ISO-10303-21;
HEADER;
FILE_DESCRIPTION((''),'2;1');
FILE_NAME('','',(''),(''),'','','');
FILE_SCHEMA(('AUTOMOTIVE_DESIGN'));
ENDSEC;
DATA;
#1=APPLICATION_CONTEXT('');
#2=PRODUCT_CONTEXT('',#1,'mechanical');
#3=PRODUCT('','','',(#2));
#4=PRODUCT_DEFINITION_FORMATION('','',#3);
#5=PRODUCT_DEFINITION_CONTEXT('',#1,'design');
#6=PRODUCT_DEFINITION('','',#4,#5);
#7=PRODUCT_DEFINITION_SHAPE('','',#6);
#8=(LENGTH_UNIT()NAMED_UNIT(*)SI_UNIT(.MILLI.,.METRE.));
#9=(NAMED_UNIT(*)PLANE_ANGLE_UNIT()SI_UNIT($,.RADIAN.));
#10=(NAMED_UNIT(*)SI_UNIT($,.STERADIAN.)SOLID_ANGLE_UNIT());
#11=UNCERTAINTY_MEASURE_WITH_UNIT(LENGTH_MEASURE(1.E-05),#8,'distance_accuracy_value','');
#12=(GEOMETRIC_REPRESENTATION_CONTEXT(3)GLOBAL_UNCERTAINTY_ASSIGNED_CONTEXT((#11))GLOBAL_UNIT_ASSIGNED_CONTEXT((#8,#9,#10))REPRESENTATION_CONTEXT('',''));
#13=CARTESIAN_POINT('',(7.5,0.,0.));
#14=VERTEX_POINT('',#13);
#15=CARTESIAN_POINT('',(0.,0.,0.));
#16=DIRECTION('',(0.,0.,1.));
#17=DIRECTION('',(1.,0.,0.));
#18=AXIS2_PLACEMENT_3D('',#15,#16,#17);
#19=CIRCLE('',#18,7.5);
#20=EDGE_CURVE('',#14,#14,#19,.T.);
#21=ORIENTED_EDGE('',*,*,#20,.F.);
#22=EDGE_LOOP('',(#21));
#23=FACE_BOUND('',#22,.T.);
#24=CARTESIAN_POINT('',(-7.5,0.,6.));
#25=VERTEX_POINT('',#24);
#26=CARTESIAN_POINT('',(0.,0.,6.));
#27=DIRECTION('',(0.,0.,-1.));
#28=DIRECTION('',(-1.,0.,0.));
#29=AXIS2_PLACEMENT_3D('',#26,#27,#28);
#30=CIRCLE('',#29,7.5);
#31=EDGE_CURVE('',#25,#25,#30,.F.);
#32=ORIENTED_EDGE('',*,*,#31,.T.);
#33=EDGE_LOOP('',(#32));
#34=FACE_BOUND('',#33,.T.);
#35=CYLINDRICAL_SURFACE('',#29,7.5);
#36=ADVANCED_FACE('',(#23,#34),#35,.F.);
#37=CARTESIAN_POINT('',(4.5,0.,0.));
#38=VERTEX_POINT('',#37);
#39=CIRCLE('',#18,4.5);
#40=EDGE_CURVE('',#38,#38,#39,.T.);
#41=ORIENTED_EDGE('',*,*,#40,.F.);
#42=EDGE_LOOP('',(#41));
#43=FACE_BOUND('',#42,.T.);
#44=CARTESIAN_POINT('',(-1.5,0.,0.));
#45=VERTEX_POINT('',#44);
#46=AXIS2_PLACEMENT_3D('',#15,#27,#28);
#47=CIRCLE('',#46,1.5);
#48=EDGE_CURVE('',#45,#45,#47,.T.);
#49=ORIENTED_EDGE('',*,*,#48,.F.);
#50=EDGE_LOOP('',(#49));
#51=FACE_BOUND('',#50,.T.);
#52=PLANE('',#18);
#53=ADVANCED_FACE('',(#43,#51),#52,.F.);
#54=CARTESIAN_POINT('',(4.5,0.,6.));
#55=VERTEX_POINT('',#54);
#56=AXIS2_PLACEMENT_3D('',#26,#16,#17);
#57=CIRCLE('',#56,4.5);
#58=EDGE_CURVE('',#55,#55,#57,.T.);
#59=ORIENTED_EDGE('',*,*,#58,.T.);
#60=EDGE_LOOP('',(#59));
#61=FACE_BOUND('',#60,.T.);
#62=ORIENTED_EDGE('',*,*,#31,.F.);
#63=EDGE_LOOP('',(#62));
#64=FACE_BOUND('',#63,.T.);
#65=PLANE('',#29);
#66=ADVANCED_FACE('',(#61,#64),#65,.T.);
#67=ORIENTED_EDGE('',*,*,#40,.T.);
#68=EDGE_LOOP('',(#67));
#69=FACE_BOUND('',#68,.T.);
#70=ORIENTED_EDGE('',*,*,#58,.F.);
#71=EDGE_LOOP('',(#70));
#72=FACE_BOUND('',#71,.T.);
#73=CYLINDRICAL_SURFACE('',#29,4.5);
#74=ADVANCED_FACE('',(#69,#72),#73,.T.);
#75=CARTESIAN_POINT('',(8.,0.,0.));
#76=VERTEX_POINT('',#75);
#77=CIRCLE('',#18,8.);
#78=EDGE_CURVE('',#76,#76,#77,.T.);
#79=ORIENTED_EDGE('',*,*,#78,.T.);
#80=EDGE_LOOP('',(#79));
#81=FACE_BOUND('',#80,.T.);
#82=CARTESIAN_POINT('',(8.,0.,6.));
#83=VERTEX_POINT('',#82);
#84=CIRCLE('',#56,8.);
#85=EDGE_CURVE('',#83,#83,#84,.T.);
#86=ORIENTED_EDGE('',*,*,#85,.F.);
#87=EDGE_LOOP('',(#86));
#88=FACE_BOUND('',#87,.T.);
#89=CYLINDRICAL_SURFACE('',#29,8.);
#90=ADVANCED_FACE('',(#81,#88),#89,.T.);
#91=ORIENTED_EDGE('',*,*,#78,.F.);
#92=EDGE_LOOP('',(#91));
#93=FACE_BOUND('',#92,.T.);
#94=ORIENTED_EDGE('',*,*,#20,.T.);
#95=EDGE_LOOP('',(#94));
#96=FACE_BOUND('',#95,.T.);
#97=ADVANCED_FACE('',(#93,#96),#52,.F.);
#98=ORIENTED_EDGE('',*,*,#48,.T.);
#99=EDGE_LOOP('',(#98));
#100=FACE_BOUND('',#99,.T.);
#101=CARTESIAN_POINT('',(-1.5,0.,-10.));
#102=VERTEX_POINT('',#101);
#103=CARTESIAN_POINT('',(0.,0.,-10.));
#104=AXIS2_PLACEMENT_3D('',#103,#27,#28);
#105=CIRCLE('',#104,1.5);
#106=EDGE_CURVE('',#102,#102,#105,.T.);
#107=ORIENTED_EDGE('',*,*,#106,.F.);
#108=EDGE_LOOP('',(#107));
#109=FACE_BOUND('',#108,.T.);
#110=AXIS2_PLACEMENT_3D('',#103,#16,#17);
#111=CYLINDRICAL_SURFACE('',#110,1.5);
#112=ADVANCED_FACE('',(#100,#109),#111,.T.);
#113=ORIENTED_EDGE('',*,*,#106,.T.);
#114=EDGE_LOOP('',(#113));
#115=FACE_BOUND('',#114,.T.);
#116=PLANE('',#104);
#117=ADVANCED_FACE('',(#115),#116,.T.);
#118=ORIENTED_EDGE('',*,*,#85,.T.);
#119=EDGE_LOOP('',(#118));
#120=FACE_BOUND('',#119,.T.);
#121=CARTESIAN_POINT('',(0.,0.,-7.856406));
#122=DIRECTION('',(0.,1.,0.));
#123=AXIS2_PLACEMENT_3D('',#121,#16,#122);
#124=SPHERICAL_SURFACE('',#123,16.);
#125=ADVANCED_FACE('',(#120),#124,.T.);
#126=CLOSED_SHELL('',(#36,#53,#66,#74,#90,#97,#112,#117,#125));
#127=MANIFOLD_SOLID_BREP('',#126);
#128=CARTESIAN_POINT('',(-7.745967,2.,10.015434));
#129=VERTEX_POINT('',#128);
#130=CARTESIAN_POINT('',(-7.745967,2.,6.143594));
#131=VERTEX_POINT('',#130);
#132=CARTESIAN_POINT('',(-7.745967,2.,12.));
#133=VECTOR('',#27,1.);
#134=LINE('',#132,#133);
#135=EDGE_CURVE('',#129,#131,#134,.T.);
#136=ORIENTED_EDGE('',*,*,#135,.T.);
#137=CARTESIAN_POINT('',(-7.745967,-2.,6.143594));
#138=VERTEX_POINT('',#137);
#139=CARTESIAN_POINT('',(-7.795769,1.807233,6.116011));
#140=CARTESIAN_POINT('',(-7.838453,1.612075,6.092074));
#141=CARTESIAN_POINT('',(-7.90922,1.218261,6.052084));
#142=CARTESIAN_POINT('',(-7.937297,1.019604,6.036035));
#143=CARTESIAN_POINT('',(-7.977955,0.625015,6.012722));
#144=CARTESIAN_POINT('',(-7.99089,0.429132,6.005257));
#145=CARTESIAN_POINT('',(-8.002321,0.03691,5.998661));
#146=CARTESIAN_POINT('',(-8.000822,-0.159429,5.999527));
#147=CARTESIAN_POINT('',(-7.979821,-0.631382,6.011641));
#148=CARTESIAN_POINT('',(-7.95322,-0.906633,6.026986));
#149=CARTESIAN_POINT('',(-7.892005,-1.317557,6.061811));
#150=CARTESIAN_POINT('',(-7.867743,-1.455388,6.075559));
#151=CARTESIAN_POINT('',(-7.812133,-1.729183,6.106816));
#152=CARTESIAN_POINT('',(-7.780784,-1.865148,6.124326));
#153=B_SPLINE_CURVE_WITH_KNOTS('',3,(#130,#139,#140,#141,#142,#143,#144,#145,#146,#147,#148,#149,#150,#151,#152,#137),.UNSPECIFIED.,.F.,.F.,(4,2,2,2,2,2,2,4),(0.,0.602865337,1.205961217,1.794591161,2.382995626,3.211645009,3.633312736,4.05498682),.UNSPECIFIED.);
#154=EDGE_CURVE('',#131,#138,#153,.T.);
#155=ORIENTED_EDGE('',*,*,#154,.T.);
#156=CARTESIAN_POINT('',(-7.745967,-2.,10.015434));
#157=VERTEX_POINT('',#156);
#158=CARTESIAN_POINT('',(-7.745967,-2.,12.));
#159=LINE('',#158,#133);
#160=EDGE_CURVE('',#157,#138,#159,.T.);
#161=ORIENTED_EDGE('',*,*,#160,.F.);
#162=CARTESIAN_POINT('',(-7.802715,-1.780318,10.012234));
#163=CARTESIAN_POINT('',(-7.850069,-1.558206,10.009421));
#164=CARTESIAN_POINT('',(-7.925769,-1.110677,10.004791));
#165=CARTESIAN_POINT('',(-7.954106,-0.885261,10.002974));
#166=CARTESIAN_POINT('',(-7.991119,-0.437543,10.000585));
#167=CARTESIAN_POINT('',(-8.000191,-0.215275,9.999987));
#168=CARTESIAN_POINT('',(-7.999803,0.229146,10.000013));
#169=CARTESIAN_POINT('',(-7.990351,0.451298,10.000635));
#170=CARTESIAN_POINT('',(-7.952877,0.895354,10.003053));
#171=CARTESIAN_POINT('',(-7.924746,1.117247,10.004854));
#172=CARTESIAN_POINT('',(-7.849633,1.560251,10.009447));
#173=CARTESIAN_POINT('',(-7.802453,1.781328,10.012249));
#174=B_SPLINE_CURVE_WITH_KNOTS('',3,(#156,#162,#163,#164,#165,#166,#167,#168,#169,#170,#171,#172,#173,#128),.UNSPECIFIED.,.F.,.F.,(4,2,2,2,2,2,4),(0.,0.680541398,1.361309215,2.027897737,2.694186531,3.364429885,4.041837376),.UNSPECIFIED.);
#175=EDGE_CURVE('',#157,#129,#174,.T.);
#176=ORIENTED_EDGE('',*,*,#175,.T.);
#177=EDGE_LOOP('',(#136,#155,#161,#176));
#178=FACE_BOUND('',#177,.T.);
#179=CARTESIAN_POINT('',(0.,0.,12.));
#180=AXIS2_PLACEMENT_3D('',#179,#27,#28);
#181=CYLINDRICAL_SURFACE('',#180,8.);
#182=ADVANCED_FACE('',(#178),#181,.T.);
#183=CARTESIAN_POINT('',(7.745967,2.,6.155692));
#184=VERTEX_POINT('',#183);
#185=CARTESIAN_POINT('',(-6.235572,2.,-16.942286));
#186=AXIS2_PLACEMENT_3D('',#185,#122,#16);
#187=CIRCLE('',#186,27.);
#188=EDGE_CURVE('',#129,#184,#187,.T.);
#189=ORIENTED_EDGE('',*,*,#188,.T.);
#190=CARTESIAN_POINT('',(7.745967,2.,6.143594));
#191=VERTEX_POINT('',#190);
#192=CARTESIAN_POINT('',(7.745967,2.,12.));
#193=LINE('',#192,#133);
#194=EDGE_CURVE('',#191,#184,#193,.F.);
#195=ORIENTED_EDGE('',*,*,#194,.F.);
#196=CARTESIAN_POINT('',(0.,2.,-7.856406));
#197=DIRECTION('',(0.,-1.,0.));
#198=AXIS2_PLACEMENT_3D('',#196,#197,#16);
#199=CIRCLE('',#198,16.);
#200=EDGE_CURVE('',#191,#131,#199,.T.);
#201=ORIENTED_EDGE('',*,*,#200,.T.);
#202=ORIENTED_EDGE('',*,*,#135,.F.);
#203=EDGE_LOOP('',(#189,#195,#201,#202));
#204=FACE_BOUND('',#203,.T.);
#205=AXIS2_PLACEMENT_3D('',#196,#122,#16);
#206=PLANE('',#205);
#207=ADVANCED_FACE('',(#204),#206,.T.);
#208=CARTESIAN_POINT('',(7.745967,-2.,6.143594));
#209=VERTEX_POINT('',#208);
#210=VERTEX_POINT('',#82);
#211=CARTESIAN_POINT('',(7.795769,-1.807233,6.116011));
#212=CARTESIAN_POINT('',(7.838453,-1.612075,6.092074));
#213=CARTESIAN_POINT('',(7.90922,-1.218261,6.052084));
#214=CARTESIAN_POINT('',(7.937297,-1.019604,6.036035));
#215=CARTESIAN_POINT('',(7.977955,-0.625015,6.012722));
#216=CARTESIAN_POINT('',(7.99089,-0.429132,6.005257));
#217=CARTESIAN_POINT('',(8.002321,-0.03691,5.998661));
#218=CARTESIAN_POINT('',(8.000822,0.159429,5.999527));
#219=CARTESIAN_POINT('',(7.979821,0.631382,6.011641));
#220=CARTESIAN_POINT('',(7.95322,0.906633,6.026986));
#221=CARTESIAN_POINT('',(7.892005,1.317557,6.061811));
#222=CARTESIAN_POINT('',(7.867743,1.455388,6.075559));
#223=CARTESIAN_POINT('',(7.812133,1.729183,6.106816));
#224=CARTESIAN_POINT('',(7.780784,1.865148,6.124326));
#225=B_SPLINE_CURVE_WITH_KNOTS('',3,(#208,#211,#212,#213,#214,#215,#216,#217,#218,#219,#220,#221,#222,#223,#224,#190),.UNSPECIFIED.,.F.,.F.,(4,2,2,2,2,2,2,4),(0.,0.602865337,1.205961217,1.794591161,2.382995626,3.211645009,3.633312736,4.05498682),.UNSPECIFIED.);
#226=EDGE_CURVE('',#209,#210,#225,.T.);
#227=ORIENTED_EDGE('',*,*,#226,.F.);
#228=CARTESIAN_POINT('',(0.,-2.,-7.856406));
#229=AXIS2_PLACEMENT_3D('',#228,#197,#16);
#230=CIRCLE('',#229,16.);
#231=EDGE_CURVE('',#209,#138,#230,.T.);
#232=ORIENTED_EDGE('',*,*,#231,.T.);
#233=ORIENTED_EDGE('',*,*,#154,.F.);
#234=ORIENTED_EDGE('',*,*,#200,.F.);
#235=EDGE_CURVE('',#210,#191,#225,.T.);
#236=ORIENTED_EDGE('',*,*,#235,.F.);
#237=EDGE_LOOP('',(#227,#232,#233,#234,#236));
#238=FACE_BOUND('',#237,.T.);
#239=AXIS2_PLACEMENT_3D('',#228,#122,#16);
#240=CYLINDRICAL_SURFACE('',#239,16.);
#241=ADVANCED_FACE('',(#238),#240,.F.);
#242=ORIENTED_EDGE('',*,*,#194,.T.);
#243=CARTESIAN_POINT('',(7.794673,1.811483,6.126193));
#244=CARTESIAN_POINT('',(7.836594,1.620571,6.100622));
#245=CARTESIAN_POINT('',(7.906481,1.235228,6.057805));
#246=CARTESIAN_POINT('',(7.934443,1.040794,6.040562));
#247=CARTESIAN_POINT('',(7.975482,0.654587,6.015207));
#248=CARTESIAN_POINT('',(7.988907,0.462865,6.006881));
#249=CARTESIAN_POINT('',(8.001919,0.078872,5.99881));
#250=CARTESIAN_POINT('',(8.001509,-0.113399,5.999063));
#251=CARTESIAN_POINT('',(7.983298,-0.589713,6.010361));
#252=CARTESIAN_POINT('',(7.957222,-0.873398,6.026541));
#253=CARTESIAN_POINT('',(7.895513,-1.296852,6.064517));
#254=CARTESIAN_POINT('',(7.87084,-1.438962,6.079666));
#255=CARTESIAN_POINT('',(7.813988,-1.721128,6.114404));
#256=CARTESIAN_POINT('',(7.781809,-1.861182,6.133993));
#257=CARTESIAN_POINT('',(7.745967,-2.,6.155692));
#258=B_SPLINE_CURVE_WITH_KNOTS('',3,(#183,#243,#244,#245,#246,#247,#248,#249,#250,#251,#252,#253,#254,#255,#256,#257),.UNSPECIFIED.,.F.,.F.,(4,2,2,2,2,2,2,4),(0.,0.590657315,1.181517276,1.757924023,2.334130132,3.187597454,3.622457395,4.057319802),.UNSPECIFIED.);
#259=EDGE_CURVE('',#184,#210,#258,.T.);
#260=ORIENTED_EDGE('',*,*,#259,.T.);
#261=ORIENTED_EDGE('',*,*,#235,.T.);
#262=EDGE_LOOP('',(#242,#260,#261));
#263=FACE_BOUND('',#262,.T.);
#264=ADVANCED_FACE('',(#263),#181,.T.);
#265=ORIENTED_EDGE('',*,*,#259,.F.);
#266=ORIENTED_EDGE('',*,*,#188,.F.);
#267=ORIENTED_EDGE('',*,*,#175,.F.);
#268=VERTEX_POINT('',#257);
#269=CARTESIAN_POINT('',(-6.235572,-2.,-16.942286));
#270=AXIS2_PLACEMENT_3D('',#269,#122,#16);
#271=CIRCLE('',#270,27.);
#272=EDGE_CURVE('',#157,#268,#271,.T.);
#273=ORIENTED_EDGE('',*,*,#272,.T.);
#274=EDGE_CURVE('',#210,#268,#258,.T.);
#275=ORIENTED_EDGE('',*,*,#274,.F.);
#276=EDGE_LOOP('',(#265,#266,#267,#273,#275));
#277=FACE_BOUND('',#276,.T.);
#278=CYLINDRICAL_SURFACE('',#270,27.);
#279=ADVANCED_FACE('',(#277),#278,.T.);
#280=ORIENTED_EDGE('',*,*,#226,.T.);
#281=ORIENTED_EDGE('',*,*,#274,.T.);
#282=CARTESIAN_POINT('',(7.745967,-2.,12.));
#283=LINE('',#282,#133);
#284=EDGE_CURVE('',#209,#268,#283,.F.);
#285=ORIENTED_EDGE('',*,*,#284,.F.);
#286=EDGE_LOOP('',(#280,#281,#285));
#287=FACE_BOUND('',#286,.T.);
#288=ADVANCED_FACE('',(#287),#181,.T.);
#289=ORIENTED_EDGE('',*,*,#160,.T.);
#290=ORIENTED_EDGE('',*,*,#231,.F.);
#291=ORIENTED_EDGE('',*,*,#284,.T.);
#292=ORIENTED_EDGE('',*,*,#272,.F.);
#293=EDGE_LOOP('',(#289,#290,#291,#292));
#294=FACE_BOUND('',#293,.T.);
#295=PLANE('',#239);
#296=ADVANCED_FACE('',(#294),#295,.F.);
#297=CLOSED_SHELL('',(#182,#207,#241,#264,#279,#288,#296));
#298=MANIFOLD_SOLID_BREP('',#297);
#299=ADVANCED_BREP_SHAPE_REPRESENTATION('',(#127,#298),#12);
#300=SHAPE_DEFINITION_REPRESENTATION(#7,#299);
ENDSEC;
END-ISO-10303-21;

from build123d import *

# Parameters (mm, degrees)
SKETCH1_R                = 4.5
BOSS_EXTRUDE1_DEPTH      = 6
SKETCH1_R_2              = 8
SKETCH1_R_3              = 7.5
BOSS_EXTRUDE1_2_DEPTH    = 6
SKETCH8_R                = 1.5
BOSS_EXTRUDE3_DEPTH      = 10
BOSS_EXTRUDE4_DEPTH      = 2
BOSS_EXTRUDE4_DEPTH_BACK = 2
CUT_EXTRUDE1_DEPTH       = 2
CUT_EXTRUDE1_DEPTH_BACK  = 15
SKETCH10_R               = 8.273287204
SKETCH10_R_2             = 8


with BuildPart() as part:
    # Sketch1 → Boss-Extrude1 (new body)
    with BuildSketch(Plane.XY):
        Circle(SKETCH1_R)
    extrude(amount=BOSS_EXTRUDE1_DEPTH)



with BuildPart() as body_2:
    # Sketch1 → Boss-Extrude1 2 (new body)
    with BuildSketch(Plane.XY):
        Circle(SKETCH1_R_2)
        Circle(SKETCH1_R_3, mode=Mode.SUBTRACT)
    extrude(amount=BOSS_EXTRUDE1_2_DEPTH)


with BuildPart() as part_1:
    add(part.part)

    add(body_2.part)  # Revolve1 merges body 2
    # Sketch4 → Revolve1 (revolve)
    with BuildSketch(Plane(origin=(0, 0, 0), x_dir=(0, 0, -1), z_dir=(1, 0, 0))):
        with BuildLine():
            Line((-8.143593539, 0), (-6, 0))
            Line((-6, 0), (-6, -8))
            ThreePointArc((-6, -8), (-7.59840676, -4.141104722), (-8.143593539, 0))
        make_face()
    revolve(axis=Axis((0, 0, 228.477181529), (0, 0, -1)))

    # Sketch8 → Boss-Extrude3 (add)
    with BuildSketch(Plane(origin=(0, 0, 0), x_dir=(-1, 0, 0), z_dir=(0, 0, -1))):
        Circle(SKETCH8_R)
    extrude(amount=BOSS_EXTRUDE3_DEPTH)


with BuildPart() as body_2_2:
    # Sketch9 → Boss-Extrude4 (new, two sides: drawn at the far end of the back side and taken through both)
    with BuildSketch(Plane(origin=(0, 0, 0), x_dir=(1, 0, 0), z_dir=(0, 1, 0)).offset(-BOSS_EXTRUDE4_DEPTH_BACK)):
        with BuildLine():
            Line((-8, -6), (-8, -10))
            ThreePointArc((-8, -10), (0.312890295, -9.25156118), (8, -6))
            ThreePointArc((8, -6), (0, -8.143593539), (-8, -6))
        make_face()
    extrude(amount=BOSS_EXTRUDE4_DEPTH + BOSS_EXTRUDE4_DEPTH_BACK)

    # Sketch10 → Cut-Extrude1 (cut, two sides: drawn at the far end of the back side and taken through both)
    with BuildSketch(Plane.XY.offset(10).offset(-CUT_EXTRUDE1_DEPTH_BACK)):
        Circle(SKETCH10_R)
        Circle(SKETCH10_R_2, mode=Mode.SUBTRACT)
    extrude(amount=CUT_EXTRUDE1_DEPTH + CUT_EXTRUDE1_DEPTH_BACK, mode=Mode.SUBTRACT)


solid = Compound([part_1.part, body_2_2.part])
